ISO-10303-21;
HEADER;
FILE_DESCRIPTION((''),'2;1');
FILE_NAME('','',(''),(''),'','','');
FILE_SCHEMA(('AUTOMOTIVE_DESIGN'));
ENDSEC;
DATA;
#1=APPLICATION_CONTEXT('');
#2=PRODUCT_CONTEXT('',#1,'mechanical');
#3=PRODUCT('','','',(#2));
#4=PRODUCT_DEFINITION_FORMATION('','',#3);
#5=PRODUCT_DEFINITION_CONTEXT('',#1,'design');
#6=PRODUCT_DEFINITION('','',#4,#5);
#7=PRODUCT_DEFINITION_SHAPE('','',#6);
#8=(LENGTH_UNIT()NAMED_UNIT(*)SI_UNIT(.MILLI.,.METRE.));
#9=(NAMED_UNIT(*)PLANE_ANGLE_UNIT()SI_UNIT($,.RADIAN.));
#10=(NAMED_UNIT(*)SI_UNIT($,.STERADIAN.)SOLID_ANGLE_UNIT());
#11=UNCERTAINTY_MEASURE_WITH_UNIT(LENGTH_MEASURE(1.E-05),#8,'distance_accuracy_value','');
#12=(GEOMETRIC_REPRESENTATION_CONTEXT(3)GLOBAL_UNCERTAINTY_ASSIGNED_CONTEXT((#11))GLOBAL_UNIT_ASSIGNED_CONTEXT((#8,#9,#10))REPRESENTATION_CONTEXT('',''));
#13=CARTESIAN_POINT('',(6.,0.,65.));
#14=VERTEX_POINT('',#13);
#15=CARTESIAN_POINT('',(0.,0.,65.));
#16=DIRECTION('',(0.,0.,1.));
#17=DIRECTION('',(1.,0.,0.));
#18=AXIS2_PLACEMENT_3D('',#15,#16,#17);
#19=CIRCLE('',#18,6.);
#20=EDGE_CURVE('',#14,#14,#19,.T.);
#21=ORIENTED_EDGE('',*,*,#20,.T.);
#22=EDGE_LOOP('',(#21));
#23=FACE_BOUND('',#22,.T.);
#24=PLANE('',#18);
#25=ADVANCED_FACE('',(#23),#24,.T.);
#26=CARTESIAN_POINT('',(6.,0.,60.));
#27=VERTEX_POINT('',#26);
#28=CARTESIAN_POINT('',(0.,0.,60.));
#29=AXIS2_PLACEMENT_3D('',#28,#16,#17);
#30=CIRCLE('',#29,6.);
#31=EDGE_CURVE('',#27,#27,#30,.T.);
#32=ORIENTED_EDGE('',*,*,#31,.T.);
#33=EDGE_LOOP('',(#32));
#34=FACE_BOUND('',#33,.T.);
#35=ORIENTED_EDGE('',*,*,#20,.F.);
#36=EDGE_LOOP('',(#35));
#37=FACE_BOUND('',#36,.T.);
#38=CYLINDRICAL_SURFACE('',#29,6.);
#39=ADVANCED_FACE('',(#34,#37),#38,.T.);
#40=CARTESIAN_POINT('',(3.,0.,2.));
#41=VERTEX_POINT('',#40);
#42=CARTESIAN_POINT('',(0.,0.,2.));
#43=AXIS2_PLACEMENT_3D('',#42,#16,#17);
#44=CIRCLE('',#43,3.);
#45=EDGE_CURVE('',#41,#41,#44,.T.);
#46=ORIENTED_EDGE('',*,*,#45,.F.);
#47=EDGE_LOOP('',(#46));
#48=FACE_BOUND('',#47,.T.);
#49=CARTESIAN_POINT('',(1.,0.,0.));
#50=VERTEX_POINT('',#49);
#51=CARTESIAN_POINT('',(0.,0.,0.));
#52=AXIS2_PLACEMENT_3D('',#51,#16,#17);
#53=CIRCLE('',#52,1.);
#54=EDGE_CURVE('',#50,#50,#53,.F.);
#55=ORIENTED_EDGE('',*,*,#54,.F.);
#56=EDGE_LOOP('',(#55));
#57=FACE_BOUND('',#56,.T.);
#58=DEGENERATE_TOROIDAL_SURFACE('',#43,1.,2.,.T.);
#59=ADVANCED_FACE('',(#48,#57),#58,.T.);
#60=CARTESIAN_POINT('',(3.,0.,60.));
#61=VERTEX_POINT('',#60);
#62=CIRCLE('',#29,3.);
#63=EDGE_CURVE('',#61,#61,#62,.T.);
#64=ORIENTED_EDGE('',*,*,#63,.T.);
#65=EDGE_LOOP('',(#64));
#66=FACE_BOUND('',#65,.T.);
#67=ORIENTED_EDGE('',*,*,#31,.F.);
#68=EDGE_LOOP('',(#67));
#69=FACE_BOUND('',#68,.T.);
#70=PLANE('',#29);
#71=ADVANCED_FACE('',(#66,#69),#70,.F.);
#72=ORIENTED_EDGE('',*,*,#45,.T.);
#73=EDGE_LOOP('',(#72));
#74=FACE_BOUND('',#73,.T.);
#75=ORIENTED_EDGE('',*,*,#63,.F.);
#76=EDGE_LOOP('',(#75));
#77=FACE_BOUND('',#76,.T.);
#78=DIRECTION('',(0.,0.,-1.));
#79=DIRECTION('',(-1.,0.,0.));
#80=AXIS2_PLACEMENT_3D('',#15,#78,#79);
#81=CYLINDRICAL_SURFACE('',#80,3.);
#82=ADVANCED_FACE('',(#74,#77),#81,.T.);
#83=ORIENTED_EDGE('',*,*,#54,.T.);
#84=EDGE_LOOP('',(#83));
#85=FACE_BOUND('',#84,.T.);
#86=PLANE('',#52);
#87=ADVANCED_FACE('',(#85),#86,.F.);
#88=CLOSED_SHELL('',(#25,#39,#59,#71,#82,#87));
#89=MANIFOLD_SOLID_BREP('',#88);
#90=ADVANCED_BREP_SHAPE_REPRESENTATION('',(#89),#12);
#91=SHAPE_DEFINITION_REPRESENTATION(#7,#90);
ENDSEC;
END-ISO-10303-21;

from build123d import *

# Parameters (mm, degrees)
SKETCH1_R           = 3
BOSS_EXTRUDE1_DEPTH = 65
SKETCH2_R           = 6
BOSS_EXTRUDE2_DEPTH = 5
FILLET1_R           = 2


with BuildPart() as part:
    # Sketch1 → Boss-Extrude1 (new body)
    with BuildSketch(Plane.XY):
        Circle(SKETCH1_R)
    extrude(amount=BOSS_EXTRUDE1_DEPTH)

    # Sketch2 → Boss-Extrude2 (add)
    with BuildSketch(Plane.XY.offset(65)):
        Circle(SKETCH2_R)
    extrude(amount=-BOSS_EXTRUDE2_DEPTH)

    # Fillet1
    fillet1_edges = [part.edges().sort_by_distance(p)[0] for p in [
        (-3, 0, 0),
    ]]
    fillet(fillet1_edges, radius=FILLET1_R)


solid = part.part
